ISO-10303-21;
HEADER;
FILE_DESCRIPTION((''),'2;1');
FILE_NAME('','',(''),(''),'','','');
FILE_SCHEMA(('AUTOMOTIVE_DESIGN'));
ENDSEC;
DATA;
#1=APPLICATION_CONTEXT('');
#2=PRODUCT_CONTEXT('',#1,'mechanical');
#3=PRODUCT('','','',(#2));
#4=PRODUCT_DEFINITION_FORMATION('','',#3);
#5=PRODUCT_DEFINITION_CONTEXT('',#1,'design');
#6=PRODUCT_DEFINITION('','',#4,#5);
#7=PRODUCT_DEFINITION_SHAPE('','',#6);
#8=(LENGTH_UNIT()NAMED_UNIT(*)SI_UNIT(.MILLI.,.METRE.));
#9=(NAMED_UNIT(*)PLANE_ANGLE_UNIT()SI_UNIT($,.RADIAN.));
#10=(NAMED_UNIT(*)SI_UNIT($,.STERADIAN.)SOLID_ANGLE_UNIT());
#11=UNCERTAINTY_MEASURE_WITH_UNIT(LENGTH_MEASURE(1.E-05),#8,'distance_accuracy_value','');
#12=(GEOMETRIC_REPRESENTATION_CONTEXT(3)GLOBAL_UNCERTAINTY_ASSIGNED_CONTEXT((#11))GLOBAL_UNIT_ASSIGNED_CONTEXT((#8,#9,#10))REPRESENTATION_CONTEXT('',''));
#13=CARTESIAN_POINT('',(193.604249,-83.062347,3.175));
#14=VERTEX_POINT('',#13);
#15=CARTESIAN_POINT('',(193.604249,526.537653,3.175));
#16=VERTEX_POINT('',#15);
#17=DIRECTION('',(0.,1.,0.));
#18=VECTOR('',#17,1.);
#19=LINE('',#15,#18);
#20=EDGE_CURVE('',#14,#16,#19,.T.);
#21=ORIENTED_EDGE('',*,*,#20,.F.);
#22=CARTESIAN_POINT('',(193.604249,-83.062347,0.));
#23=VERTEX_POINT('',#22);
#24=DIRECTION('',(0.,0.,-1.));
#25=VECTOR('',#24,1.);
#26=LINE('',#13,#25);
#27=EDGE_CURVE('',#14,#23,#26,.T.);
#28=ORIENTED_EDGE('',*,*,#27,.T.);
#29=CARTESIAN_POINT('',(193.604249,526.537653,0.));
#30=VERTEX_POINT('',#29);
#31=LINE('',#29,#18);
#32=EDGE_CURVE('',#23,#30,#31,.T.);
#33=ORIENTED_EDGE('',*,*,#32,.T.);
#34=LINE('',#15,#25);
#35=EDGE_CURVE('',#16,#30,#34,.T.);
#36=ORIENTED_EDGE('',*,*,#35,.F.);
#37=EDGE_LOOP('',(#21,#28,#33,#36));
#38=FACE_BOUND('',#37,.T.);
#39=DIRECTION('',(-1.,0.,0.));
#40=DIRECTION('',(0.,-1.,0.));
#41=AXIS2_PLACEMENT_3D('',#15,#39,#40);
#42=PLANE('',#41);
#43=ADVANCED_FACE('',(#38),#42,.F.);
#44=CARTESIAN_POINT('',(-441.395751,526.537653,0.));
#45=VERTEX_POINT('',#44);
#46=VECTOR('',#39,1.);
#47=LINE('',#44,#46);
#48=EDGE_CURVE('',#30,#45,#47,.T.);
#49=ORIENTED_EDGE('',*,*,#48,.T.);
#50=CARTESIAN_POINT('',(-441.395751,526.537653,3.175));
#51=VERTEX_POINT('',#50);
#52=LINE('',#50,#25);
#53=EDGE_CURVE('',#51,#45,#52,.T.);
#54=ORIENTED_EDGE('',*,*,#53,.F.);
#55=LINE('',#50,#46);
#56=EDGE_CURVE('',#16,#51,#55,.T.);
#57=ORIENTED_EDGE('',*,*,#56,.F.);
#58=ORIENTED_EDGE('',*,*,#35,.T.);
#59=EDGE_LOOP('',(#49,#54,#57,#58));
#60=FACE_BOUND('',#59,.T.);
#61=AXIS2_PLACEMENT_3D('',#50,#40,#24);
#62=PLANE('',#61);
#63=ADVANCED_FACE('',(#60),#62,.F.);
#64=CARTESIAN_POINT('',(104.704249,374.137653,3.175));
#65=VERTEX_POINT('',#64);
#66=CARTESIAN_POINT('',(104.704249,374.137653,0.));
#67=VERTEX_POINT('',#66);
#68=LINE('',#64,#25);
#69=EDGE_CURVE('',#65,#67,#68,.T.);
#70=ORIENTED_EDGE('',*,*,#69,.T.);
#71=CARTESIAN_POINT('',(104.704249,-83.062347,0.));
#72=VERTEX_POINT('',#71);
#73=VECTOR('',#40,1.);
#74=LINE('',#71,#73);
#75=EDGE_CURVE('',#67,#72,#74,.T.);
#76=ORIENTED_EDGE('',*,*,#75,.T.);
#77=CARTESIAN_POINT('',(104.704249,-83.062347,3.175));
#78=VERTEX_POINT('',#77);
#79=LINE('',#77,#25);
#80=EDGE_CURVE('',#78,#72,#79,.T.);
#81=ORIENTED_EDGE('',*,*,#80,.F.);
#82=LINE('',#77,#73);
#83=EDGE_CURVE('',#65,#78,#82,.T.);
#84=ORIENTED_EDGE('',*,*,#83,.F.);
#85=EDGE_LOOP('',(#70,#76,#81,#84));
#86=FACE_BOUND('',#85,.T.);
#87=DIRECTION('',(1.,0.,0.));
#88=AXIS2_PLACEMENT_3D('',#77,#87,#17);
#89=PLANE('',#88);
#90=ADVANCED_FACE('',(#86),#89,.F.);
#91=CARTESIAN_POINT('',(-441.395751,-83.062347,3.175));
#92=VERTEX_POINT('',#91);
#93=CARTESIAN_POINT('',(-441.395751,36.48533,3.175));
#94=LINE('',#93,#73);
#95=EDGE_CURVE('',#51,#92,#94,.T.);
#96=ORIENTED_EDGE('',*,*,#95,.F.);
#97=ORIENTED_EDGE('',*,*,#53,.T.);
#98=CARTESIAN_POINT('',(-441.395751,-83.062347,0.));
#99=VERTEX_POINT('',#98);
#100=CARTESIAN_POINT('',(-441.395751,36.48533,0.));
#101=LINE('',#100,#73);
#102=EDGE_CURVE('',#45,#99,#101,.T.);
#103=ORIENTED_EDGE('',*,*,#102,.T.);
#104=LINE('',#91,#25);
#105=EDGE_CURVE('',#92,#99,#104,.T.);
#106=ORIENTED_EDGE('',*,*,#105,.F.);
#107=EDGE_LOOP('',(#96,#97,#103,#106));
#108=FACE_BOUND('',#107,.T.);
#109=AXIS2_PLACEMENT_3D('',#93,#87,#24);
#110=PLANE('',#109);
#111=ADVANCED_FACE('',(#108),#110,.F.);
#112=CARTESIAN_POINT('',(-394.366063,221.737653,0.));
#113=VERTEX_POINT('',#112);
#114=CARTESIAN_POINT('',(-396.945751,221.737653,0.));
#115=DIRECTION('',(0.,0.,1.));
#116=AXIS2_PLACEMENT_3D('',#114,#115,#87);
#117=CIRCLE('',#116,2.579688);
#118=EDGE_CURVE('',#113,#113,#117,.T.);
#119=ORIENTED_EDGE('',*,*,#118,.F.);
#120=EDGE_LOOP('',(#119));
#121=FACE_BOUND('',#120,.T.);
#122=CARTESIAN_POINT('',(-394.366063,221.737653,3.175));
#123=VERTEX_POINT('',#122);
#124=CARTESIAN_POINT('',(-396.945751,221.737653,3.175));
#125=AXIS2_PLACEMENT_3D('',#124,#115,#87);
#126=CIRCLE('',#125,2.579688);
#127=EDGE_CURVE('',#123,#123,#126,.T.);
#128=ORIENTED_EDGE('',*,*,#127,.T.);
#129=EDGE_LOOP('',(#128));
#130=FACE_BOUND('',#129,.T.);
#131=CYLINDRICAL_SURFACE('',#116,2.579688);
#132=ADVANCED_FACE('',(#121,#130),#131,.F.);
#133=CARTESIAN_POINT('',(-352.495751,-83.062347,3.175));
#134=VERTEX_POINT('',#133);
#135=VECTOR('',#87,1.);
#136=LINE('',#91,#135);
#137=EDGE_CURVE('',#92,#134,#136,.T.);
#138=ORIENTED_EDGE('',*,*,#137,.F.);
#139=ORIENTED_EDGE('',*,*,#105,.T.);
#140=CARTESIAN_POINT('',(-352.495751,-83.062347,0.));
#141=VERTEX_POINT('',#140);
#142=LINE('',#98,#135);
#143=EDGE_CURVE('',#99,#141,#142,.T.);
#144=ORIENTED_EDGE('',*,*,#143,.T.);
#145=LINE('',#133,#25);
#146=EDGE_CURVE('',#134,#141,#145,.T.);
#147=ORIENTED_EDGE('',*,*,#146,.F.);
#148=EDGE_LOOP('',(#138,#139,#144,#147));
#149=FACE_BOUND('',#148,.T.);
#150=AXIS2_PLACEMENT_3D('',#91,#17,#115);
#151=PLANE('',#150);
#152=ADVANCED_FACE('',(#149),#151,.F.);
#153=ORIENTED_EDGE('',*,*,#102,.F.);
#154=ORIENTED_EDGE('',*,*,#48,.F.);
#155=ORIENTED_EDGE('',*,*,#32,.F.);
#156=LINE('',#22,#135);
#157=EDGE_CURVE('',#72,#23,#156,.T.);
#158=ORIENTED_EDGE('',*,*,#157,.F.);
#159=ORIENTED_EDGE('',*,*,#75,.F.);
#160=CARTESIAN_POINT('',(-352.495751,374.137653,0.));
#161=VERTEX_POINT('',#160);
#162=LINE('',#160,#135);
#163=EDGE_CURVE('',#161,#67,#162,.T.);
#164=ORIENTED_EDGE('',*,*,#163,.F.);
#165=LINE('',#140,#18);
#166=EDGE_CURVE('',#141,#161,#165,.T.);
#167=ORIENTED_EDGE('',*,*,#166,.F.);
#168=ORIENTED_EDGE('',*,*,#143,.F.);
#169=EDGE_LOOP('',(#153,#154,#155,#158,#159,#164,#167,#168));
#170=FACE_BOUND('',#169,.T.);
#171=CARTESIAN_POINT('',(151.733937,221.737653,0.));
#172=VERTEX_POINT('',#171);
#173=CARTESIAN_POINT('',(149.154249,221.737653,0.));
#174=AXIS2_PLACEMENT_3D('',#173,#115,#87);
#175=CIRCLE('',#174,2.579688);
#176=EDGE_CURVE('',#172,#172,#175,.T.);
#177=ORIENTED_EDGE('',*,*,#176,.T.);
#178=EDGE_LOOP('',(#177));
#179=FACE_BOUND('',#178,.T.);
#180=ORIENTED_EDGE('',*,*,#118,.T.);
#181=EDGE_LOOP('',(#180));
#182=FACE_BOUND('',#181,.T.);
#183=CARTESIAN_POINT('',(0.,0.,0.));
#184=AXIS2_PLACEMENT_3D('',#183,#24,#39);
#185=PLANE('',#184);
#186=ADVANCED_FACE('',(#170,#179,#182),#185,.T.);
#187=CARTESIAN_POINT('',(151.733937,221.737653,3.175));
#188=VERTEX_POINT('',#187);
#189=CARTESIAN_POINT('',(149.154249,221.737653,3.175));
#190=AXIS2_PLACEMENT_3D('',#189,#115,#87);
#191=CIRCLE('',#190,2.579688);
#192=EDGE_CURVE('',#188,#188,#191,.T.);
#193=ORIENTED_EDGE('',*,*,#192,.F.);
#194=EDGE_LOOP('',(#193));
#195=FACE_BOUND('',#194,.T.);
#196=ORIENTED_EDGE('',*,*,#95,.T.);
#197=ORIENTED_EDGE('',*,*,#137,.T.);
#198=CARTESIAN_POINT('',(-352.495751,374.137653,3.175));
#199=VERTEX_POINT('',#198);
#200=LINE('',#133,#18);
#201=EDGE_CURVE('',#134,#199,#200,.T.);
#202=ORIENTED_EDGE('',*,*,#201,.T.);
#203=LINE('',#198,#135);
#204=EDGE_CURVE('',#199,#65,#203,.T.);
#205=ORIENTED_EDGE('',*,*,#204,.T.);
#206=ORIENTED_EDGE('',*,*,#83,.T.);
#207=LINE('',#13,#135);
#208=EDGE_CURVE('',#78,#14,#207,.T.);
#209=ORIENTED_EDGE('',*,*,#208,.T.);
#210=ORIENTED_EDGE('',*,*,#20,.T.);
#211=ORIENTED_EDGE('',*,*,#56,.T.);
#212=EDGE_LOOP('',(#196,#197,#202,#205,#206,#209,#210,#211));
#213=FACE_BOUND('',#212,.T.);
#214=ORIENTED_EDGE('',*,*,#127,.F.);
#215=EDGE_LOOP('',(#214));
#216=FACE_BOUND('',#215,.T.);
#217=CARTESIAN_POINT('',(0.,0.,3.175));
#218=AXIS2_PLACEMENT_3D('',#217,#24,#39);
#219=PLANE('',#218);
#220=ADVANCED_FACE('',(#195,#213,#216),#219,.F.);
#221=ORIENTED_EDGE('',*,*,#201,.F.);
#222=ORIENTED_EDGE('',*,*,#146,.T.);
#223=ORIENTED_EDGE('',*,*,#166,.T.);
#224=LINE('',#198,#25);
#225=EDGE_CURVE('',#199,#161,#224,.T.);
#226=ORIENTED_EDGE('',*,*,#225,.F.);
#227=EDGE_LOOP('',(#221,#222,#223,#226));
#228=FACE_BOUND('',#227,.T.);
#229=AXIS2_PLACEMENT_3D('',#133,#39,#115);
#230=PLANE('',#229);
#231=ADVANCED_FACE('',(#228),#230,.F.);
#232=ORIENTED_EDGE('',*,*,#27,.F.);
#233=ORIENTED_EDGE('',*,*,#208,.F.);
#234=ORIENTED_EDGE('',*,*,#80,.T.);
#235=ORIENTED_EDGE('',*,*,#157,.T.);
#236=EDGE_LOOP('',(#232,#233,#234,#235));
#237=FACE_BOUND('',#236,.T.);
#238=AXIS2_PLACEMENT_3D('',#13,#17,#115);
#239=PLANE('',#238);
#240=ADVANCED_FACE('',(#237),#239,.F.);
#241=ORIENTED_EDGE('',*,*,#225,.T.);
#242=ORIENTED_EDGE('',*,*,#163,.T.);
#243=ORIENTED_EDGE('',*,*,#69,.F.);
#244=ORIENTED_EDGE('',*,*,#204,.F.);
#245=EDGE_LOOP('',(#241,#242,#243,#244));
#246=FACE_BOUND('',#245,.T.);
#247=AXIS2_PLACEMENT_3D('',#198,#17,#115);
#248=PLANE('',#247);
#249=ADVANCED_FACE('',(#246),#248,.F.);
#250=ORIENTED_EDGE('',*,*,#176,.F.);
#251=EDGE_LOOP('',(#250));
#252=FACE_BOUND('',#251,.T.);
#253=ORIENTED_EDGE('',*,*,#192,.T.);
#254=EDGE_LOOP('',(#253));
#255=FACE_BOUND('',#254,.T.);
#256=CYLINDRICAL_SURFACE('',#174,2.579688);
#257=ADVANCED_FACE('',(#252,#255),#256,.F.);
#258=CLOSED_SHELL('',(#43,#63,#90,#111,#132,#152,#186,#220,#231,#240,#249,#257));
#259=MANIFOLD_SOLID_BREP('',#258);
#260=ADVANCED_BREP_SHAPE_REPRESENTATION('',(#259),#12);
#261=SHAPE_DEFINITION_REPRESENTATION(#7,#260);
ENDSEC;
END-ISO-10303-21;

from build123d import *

# Parameters (mm, degrees)
BOSS_EXTRUDE1_DEPTH = 3.175
SKETCH2_R           = 2.5796875
CUT_EXTRUDE1_DEPTH  = 4.175


with BuildPart() as part:
    # Sketch1 → Boss-Extrude1 (new body)
    with BuildSketch(Plane.XY):
        Polygon((-441.3957506, 526.537652812), (193.6042494, 526.537652812), (193.6042494, -83.062347188), (104.7042494, -83.062347188), (104.7042494, 374.137652812), (-352.4957506, 374.137652812), (-352.4957506, -83.062347188), (-441.3957506, -83.062347188), (-441.3957506, 36.485330073), align=None)
    extrude(amount=BOSS_EXTRUDE1_DEPTH)

    # Sketch2 → Cut-Extrude1 (cut, through all)
    with BuildSketch(Plane.XY.offset(3.175)):
        with Locations((-396.9457506, 221.737652812)):
            Circle(SKETCH2_R)
        with Locations((149.1542494, 221.737652812)):
            Circle(SKETCH2_R)
    extrude(amount=-CUT_EXTRUDE1_DEPTH, mode=Mode.SUBTRACT)


solid = part.part
